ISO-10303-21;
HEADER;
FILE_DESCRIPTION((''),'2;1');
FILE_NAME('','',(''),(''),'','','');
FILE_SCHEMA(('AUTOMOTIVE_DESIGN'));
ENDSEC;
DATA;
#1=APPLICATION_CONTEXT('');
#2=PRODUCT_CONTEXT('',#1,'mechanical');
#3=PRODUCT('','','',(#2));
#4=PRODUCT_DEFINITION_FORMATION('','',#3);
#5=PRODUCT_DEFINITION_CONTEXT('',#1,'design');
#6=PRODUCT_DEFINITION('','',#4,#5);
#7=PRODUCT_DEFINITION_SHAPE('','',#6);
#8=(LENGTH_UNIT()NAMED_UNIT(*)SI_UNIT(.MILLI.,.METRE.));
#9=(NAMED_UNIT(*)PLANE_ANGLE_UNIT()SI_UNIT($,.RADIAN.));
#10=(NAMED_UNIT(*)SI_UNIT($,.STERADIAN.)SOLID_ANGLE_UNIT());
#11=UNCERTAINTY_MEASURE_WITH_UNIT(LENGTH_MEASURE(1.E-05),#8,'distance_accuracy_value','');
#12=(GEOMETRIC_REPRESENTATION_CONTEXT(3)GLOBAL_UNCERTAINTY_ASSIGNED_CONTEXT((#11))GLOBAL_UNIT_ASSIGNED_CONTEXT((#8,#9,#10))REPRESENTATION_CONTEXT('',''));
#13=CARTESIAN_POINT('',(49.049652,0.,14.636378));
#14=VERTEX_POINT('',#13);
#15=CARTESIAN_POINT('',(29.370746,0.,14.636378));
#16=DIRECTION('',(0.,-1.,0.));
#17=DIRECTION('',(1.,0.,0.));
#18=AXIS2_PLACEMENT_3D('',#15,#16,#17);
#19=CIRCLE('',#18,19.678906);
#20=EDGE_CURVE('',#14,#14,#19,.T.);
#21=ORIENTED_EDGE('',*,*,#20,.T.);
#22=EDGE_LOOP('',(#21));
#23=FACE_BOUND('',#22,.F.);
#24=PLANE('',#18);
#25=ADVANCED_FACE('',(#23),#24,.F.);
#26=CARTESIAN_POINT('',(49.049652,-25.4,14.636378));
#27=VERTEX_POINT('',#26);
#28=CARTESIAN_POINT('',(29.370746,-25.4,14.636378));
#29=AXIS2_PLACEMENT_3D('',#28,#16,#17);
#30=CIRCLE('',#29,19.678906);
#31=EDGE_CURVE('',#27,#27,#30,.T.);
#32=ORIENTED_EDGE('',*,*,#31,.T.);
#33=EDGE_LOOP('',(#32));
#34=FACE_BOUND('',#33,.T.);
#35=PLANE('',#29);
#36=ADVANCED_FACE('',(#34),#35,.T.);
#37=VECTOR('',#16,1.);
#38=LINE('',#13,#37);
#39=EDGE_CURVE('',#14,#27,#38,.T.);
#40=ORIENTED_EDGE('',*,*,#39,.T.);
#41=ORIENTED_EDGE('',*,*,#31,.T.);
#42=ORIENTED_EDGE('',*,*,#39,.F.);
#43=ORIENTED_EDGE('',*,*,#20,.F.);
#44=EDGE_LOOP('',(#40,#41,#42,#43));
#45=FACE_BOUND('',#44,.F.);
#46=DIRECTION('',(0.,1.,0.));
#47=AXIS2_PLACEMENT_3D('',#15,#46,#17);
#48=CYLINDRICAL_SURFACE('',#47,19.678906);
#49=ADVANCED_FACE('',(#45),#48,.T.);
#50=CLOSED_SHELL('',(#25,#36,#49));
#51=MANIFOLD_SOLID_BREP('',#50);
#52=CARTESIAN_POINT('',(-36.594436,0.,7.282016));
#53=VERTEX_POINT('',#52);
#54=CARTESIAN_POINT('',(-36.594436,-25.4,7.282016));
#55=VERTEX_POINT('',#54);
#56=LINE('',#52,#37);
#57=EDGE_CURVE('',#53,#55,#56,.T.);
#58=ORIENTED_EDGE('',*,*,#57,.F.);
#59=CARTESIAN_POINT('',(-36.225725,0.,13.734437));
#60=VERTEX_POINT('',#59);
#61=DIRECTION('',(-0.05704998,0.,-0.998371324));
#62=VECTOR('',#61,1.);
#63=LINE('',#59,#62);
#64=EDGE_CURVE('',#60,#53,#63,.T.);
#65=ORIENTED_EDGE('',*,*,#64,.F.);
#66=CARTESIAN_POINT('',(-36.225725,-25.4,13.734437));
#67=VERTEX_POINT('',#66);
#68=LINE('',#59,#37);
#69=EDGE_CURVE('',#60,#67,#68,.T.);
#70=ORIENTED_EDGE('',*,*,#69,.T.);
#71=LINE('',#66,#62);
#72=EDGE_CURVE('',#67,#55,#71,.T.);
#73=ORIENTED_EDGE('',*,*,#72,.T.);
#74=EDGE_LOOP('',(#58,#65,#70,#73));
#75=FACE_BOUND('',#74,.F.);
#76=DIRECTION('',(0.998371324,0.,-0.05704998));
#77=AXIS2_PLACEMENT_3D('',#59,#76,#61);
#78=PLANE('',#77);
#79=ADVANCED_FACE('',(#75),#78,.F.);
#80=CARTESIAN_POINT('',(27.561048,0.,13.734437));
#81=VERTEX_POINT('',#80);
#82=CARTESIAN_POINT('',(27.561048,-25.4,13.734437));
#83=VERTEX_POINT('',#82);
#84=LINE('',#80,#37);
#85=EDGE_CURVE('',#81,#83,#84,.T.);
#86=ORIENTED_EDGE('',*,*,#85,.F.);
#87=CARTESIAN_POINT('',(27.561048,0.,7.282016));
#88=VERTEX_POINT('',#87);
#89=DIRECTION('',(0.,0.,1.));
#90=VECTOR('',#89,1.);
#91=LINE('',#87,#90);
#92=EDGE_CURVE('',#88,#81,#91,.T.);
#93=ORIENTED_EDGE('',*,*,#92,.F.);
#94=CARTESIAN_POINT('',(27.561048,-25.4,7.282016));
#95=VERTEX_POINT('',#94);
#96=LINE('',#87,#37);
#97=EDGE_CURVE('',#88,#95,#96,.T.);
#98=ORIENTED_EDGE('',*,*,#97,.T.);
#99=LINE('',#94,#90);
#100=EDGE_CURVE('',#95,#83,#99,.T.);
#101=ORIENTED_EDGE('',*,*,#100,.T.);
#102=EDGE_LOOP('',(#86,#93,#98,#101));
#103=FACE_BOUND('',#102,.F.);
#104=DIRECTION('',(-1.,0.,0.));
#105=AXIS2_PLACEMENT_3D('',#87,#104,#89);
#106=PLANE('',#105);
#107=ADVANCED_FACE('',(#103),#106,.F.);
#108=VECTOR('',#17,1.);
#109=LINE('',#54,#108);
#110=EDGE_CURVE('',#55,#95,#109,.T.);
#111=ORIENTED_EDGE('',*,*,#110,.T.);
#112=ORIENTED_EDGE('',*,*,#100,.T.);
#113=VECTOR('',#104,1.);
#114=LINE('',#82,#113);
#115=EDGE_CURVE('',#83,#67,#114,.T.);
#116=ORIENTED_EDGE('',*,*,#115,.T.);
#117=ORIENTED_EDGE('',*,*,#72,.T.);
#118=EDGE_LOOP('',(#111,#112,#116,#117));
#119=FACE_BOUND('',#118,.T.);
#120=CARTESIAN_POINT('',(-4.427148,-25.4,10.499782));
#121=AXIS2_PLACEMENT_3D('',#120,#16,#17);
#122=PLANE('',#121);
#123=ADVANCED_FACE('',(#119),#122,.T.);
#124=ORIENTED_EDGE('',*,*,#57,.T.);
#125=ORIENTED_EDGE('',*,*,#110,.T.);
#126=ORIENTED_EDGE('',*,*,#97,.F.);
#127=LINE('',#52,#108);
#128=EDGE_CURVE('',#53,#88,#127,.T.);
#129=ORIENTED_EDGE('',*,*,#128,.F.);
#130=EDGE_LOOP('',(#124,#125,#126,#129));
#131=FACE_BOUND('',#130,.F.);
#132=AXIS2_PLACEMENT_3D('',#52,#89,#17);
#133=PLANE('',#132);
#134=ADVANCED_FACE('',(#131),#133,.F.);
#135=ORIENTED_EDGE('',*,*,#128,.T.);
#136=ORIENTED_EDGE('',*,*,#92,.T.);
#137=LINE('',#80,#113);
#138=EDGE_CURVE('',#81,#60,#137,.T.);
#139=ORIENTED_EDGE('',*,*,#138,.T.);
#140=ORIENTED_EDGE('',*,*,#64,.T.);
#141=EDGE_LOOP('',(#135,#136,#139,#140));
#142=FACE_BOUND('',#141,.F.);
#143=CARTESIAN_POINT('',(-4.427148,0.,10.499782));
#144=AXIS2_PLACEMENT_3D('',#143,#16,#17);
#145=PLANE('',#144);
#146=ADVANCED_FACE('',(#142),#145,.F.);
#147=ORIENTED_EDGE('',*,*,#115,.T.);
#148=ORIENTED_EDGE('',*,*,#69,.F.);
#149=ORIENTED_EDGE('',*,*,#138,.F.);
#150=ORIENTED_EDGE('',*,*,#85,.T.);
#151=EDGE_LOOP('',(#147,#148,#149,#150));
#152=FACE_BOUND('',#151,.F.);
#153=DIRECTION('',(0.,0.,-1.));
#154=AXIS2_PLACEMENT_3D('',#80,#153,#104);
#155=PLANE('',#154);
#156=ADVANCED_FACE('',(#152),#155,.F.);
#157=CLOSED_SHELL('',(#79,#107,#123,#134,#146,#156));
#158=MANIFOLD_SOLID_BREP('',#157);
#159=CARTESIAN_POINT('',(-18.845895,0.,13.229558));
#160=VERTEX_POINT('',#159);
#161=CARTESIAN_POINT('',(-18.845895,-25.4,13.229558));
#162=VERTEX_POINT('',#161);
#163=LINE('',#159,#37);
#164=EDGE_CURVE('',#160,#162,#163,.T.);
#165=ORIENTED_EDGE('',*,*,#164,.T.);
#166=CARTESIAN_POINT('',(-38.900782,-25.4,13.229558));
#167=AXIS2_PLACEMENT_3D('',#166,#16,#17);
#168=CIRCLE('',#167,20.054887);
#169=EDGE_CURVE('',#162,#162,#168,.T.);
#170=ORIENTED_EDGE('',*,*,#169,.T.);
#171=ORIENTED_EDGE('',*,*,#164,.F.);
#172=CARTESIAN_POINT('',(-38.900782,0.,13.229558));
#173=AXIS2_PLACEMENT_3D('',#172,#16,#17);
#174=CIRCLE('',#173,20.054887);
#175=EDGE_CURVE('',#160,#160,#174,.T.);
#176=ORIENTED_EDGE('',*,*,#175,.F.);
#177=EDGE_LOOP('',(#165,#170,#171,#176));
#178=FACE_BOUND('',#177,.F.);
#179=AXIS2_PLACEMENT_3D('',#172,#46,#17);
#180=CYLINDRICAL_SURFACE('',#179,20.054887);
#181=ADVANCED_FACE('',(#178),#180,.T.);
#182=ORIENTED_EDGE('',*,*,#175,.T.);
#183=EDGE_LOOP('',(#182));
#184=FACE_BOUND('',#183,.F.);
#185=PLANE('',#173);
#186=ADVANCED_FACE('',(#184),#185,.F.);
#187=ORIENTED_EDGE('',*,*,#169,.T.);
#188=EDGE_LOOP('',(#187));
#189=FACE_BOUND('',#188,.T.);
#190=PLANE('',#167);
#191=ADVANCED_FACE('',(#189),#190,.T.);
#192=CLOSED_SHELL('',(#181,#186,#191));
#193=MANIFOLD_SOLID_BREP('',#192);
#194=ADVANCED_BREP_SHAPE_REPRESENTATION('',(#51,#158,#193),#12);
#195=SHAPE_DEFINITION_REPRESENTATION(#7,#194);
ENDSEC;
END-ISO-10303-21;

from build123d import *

# Parameters (mm, degrees)
F0_R     = 20.054887
F0_R_2   = 19.678906
F1_DEPTH = 25.4
F3_DEPTH = 25.4


with BuildPart() as f1:
    # F0 (on Front) → F1 (new body)
    with BuildSketch(Plane.XZ):
        with Locations((-38.900782, 13.229558)):
            Circle(F0_R)
        with Locations((29.370746, 14.636378)):
            Circle(F0_R_2)
    extrude(amount=F1_DEPTH)


with BuildPart() as f3:
    # F2 (on Front) → F3 (new body)
    with BuildSketch(Plane.XZ):
        Polygon((27.561048, 13.734437), (-36.225725, 13.734437), (-36.594436, 7.282016), (27.561048, 7.282016), align=None)
    extrude(amount=F3_DEPTH)


solid = Compound([f1.part, f3.part])
